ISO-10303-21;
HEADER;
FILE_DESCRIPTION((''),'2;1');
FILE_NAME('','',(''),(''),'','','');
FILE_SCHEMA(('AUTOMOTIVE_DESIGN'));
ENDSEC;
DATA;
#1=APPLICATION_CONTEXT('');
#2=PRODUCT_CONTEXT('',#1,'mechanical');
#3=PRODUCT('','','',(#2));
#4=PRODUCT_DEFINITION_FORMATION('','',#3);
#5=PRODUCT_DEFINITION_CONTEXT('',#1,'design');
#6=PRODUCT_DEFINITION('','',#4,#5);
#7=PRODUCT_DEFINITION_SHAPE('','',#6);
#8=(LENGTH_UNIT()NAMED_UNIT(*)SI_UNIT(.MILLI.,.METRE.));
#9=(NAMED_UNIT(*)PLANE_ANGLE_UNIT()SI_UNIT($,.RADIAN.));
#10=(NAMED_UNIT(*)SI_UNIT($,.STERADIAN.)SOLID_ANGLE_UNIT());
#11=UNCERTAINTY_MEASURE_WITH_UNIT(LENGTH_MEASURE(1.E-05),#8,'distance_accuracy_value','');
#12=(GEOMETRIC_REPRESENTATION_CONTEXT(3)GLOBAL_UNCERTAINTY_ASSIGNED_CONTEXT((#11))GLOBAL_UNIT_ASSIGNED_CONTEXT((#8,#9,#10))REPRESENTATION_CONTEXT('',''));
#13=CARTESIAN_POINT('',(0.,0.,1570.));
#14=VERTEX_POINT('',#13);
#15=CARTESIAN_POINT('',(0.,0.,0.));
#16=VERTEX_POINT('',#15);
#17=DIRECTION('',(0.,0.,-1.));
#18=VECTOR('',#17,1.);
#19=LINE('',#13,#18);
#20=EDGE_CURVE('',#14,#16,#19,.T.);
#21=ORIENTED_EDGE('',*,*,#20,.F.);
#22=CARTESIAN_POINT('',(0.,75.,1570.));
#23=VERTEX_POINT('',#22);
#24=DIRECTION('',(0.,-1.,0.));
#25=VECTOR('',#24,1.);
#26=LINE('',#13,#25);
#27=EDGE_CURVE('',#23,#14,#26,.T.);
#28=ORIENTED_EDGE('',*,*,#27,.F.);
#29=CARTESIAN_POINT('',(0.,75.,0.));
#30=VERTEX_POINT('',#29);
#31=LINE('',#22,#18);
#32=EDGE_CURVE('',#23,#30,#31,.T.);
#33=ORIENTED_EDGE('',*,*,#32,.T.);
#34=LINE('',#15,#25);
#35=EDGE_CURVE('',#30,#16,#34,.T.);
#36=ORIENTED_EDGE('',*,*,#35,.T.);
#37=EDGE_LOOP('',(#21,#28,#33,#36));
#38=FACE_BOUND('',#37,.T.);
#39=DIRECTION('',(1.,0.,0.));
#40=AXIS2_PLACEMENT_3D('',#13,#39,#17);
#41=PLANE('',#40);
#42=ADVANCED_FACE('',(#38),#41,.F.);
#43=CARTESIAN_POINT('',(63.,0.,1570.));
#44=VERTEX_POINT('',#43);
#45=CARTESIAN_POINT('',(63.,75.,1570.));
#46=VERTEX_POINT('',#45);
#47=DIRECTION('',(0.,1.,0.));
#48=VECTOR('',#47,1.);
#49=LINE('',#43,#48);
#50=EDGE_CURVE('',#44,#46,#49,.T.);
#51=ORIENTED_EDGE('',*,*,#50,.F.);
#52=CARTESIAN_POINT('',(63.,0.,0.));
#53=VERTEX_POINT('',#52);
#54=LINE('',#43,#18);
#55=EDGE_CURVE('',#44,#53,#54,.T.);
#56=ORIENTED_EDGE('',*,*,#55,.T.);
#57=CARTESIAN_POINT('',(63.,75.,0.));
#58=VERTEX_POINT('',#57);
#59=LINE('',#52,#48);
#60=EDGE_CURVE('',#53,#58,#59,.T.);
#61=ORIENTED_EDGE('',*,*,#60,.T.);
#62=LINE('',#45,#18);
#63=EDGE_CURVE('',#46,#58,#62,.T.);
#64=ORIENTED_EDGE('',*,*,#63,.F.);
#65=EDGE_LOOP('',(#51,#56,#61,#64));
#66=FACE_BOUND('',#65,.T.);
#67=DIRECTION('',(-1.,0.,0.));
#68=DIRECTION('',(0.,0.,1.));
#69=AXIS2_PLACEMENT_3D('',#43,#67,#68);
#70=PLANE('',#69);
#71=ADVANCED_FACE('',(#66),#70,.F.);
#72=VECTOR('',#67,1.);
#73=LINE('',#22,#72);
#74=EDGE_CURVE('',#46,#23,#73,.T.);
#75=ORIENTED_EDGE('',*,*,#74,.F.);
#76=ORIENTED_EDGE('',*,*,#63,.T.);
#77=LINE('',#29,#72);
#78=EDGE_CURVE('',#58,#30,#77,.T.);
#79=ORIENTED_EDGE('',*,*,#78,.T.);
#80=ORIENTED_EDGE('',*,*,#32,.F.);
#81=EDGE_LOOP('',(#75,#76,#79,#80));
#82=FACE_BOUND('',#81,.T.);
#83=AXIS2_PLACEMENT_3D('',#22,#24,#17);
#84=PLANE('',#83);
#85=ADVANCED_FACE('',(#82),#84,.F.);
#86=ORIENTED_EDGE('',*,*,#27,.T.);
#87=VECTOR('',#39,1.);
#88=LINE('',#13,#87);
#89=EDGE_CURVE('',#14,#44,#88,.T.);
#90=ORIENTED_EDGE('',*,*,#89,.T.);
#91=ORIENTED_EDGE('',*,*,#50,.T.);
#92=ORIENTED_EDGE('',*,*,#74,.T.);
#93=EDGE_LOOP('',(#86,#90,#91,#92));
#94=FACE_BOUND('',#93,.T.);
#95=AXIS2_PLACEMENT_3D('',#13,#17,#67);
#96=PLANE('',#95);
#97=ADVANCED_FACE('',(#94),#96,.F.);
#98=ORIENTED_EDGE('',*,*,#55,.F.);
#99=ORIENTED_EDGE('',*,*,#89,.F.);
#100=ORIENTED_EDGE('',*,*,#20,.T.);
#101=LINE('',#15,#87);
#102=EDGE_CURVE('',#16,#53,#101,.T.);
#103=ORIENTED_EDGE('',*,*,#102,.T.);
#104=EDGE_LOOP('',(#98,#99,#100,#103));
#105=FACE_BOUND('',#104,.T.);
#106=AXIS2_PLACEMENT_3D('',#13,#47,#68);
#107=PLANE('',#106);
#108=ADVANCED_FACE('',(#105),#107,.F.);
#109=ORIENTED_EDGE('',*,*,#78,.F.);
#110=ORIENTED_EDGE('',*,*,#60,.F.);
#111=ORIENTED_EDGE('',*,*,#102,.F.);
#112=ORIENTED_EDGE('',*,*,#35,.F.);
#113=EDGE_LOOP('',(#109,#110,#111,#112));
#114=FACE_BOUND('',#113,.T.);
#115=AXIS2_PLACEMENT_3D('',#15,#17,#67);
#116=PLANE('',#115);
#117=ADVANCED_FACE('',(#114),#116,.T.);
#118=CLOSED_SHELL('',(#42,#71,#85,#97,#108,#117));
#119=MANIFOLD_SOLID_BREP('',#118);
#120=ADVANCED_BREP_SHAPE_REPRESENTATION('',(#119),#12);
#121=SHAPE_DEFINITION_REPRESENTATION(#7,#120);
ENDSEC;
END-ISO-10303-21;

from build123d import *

# Parameters (mm, degrees)
ESQUISSE1_W        = 63
ESQUISSE1_H        = 75
BOSS_EXTRU_1_DEPTH = 1570


with BuildPart() as part:
    # Esquisse1 → Boss.-Extru.1 (new body)
    with BuildSketch(Plane.XY):
        with Locations((31.5, 37.5)):
            Rectangle(ESQUISSE1_W, ESQUISSE1_H)
    extrude(amount=BOSS_EXTRU_1_DEPTH)


solid = part.part
